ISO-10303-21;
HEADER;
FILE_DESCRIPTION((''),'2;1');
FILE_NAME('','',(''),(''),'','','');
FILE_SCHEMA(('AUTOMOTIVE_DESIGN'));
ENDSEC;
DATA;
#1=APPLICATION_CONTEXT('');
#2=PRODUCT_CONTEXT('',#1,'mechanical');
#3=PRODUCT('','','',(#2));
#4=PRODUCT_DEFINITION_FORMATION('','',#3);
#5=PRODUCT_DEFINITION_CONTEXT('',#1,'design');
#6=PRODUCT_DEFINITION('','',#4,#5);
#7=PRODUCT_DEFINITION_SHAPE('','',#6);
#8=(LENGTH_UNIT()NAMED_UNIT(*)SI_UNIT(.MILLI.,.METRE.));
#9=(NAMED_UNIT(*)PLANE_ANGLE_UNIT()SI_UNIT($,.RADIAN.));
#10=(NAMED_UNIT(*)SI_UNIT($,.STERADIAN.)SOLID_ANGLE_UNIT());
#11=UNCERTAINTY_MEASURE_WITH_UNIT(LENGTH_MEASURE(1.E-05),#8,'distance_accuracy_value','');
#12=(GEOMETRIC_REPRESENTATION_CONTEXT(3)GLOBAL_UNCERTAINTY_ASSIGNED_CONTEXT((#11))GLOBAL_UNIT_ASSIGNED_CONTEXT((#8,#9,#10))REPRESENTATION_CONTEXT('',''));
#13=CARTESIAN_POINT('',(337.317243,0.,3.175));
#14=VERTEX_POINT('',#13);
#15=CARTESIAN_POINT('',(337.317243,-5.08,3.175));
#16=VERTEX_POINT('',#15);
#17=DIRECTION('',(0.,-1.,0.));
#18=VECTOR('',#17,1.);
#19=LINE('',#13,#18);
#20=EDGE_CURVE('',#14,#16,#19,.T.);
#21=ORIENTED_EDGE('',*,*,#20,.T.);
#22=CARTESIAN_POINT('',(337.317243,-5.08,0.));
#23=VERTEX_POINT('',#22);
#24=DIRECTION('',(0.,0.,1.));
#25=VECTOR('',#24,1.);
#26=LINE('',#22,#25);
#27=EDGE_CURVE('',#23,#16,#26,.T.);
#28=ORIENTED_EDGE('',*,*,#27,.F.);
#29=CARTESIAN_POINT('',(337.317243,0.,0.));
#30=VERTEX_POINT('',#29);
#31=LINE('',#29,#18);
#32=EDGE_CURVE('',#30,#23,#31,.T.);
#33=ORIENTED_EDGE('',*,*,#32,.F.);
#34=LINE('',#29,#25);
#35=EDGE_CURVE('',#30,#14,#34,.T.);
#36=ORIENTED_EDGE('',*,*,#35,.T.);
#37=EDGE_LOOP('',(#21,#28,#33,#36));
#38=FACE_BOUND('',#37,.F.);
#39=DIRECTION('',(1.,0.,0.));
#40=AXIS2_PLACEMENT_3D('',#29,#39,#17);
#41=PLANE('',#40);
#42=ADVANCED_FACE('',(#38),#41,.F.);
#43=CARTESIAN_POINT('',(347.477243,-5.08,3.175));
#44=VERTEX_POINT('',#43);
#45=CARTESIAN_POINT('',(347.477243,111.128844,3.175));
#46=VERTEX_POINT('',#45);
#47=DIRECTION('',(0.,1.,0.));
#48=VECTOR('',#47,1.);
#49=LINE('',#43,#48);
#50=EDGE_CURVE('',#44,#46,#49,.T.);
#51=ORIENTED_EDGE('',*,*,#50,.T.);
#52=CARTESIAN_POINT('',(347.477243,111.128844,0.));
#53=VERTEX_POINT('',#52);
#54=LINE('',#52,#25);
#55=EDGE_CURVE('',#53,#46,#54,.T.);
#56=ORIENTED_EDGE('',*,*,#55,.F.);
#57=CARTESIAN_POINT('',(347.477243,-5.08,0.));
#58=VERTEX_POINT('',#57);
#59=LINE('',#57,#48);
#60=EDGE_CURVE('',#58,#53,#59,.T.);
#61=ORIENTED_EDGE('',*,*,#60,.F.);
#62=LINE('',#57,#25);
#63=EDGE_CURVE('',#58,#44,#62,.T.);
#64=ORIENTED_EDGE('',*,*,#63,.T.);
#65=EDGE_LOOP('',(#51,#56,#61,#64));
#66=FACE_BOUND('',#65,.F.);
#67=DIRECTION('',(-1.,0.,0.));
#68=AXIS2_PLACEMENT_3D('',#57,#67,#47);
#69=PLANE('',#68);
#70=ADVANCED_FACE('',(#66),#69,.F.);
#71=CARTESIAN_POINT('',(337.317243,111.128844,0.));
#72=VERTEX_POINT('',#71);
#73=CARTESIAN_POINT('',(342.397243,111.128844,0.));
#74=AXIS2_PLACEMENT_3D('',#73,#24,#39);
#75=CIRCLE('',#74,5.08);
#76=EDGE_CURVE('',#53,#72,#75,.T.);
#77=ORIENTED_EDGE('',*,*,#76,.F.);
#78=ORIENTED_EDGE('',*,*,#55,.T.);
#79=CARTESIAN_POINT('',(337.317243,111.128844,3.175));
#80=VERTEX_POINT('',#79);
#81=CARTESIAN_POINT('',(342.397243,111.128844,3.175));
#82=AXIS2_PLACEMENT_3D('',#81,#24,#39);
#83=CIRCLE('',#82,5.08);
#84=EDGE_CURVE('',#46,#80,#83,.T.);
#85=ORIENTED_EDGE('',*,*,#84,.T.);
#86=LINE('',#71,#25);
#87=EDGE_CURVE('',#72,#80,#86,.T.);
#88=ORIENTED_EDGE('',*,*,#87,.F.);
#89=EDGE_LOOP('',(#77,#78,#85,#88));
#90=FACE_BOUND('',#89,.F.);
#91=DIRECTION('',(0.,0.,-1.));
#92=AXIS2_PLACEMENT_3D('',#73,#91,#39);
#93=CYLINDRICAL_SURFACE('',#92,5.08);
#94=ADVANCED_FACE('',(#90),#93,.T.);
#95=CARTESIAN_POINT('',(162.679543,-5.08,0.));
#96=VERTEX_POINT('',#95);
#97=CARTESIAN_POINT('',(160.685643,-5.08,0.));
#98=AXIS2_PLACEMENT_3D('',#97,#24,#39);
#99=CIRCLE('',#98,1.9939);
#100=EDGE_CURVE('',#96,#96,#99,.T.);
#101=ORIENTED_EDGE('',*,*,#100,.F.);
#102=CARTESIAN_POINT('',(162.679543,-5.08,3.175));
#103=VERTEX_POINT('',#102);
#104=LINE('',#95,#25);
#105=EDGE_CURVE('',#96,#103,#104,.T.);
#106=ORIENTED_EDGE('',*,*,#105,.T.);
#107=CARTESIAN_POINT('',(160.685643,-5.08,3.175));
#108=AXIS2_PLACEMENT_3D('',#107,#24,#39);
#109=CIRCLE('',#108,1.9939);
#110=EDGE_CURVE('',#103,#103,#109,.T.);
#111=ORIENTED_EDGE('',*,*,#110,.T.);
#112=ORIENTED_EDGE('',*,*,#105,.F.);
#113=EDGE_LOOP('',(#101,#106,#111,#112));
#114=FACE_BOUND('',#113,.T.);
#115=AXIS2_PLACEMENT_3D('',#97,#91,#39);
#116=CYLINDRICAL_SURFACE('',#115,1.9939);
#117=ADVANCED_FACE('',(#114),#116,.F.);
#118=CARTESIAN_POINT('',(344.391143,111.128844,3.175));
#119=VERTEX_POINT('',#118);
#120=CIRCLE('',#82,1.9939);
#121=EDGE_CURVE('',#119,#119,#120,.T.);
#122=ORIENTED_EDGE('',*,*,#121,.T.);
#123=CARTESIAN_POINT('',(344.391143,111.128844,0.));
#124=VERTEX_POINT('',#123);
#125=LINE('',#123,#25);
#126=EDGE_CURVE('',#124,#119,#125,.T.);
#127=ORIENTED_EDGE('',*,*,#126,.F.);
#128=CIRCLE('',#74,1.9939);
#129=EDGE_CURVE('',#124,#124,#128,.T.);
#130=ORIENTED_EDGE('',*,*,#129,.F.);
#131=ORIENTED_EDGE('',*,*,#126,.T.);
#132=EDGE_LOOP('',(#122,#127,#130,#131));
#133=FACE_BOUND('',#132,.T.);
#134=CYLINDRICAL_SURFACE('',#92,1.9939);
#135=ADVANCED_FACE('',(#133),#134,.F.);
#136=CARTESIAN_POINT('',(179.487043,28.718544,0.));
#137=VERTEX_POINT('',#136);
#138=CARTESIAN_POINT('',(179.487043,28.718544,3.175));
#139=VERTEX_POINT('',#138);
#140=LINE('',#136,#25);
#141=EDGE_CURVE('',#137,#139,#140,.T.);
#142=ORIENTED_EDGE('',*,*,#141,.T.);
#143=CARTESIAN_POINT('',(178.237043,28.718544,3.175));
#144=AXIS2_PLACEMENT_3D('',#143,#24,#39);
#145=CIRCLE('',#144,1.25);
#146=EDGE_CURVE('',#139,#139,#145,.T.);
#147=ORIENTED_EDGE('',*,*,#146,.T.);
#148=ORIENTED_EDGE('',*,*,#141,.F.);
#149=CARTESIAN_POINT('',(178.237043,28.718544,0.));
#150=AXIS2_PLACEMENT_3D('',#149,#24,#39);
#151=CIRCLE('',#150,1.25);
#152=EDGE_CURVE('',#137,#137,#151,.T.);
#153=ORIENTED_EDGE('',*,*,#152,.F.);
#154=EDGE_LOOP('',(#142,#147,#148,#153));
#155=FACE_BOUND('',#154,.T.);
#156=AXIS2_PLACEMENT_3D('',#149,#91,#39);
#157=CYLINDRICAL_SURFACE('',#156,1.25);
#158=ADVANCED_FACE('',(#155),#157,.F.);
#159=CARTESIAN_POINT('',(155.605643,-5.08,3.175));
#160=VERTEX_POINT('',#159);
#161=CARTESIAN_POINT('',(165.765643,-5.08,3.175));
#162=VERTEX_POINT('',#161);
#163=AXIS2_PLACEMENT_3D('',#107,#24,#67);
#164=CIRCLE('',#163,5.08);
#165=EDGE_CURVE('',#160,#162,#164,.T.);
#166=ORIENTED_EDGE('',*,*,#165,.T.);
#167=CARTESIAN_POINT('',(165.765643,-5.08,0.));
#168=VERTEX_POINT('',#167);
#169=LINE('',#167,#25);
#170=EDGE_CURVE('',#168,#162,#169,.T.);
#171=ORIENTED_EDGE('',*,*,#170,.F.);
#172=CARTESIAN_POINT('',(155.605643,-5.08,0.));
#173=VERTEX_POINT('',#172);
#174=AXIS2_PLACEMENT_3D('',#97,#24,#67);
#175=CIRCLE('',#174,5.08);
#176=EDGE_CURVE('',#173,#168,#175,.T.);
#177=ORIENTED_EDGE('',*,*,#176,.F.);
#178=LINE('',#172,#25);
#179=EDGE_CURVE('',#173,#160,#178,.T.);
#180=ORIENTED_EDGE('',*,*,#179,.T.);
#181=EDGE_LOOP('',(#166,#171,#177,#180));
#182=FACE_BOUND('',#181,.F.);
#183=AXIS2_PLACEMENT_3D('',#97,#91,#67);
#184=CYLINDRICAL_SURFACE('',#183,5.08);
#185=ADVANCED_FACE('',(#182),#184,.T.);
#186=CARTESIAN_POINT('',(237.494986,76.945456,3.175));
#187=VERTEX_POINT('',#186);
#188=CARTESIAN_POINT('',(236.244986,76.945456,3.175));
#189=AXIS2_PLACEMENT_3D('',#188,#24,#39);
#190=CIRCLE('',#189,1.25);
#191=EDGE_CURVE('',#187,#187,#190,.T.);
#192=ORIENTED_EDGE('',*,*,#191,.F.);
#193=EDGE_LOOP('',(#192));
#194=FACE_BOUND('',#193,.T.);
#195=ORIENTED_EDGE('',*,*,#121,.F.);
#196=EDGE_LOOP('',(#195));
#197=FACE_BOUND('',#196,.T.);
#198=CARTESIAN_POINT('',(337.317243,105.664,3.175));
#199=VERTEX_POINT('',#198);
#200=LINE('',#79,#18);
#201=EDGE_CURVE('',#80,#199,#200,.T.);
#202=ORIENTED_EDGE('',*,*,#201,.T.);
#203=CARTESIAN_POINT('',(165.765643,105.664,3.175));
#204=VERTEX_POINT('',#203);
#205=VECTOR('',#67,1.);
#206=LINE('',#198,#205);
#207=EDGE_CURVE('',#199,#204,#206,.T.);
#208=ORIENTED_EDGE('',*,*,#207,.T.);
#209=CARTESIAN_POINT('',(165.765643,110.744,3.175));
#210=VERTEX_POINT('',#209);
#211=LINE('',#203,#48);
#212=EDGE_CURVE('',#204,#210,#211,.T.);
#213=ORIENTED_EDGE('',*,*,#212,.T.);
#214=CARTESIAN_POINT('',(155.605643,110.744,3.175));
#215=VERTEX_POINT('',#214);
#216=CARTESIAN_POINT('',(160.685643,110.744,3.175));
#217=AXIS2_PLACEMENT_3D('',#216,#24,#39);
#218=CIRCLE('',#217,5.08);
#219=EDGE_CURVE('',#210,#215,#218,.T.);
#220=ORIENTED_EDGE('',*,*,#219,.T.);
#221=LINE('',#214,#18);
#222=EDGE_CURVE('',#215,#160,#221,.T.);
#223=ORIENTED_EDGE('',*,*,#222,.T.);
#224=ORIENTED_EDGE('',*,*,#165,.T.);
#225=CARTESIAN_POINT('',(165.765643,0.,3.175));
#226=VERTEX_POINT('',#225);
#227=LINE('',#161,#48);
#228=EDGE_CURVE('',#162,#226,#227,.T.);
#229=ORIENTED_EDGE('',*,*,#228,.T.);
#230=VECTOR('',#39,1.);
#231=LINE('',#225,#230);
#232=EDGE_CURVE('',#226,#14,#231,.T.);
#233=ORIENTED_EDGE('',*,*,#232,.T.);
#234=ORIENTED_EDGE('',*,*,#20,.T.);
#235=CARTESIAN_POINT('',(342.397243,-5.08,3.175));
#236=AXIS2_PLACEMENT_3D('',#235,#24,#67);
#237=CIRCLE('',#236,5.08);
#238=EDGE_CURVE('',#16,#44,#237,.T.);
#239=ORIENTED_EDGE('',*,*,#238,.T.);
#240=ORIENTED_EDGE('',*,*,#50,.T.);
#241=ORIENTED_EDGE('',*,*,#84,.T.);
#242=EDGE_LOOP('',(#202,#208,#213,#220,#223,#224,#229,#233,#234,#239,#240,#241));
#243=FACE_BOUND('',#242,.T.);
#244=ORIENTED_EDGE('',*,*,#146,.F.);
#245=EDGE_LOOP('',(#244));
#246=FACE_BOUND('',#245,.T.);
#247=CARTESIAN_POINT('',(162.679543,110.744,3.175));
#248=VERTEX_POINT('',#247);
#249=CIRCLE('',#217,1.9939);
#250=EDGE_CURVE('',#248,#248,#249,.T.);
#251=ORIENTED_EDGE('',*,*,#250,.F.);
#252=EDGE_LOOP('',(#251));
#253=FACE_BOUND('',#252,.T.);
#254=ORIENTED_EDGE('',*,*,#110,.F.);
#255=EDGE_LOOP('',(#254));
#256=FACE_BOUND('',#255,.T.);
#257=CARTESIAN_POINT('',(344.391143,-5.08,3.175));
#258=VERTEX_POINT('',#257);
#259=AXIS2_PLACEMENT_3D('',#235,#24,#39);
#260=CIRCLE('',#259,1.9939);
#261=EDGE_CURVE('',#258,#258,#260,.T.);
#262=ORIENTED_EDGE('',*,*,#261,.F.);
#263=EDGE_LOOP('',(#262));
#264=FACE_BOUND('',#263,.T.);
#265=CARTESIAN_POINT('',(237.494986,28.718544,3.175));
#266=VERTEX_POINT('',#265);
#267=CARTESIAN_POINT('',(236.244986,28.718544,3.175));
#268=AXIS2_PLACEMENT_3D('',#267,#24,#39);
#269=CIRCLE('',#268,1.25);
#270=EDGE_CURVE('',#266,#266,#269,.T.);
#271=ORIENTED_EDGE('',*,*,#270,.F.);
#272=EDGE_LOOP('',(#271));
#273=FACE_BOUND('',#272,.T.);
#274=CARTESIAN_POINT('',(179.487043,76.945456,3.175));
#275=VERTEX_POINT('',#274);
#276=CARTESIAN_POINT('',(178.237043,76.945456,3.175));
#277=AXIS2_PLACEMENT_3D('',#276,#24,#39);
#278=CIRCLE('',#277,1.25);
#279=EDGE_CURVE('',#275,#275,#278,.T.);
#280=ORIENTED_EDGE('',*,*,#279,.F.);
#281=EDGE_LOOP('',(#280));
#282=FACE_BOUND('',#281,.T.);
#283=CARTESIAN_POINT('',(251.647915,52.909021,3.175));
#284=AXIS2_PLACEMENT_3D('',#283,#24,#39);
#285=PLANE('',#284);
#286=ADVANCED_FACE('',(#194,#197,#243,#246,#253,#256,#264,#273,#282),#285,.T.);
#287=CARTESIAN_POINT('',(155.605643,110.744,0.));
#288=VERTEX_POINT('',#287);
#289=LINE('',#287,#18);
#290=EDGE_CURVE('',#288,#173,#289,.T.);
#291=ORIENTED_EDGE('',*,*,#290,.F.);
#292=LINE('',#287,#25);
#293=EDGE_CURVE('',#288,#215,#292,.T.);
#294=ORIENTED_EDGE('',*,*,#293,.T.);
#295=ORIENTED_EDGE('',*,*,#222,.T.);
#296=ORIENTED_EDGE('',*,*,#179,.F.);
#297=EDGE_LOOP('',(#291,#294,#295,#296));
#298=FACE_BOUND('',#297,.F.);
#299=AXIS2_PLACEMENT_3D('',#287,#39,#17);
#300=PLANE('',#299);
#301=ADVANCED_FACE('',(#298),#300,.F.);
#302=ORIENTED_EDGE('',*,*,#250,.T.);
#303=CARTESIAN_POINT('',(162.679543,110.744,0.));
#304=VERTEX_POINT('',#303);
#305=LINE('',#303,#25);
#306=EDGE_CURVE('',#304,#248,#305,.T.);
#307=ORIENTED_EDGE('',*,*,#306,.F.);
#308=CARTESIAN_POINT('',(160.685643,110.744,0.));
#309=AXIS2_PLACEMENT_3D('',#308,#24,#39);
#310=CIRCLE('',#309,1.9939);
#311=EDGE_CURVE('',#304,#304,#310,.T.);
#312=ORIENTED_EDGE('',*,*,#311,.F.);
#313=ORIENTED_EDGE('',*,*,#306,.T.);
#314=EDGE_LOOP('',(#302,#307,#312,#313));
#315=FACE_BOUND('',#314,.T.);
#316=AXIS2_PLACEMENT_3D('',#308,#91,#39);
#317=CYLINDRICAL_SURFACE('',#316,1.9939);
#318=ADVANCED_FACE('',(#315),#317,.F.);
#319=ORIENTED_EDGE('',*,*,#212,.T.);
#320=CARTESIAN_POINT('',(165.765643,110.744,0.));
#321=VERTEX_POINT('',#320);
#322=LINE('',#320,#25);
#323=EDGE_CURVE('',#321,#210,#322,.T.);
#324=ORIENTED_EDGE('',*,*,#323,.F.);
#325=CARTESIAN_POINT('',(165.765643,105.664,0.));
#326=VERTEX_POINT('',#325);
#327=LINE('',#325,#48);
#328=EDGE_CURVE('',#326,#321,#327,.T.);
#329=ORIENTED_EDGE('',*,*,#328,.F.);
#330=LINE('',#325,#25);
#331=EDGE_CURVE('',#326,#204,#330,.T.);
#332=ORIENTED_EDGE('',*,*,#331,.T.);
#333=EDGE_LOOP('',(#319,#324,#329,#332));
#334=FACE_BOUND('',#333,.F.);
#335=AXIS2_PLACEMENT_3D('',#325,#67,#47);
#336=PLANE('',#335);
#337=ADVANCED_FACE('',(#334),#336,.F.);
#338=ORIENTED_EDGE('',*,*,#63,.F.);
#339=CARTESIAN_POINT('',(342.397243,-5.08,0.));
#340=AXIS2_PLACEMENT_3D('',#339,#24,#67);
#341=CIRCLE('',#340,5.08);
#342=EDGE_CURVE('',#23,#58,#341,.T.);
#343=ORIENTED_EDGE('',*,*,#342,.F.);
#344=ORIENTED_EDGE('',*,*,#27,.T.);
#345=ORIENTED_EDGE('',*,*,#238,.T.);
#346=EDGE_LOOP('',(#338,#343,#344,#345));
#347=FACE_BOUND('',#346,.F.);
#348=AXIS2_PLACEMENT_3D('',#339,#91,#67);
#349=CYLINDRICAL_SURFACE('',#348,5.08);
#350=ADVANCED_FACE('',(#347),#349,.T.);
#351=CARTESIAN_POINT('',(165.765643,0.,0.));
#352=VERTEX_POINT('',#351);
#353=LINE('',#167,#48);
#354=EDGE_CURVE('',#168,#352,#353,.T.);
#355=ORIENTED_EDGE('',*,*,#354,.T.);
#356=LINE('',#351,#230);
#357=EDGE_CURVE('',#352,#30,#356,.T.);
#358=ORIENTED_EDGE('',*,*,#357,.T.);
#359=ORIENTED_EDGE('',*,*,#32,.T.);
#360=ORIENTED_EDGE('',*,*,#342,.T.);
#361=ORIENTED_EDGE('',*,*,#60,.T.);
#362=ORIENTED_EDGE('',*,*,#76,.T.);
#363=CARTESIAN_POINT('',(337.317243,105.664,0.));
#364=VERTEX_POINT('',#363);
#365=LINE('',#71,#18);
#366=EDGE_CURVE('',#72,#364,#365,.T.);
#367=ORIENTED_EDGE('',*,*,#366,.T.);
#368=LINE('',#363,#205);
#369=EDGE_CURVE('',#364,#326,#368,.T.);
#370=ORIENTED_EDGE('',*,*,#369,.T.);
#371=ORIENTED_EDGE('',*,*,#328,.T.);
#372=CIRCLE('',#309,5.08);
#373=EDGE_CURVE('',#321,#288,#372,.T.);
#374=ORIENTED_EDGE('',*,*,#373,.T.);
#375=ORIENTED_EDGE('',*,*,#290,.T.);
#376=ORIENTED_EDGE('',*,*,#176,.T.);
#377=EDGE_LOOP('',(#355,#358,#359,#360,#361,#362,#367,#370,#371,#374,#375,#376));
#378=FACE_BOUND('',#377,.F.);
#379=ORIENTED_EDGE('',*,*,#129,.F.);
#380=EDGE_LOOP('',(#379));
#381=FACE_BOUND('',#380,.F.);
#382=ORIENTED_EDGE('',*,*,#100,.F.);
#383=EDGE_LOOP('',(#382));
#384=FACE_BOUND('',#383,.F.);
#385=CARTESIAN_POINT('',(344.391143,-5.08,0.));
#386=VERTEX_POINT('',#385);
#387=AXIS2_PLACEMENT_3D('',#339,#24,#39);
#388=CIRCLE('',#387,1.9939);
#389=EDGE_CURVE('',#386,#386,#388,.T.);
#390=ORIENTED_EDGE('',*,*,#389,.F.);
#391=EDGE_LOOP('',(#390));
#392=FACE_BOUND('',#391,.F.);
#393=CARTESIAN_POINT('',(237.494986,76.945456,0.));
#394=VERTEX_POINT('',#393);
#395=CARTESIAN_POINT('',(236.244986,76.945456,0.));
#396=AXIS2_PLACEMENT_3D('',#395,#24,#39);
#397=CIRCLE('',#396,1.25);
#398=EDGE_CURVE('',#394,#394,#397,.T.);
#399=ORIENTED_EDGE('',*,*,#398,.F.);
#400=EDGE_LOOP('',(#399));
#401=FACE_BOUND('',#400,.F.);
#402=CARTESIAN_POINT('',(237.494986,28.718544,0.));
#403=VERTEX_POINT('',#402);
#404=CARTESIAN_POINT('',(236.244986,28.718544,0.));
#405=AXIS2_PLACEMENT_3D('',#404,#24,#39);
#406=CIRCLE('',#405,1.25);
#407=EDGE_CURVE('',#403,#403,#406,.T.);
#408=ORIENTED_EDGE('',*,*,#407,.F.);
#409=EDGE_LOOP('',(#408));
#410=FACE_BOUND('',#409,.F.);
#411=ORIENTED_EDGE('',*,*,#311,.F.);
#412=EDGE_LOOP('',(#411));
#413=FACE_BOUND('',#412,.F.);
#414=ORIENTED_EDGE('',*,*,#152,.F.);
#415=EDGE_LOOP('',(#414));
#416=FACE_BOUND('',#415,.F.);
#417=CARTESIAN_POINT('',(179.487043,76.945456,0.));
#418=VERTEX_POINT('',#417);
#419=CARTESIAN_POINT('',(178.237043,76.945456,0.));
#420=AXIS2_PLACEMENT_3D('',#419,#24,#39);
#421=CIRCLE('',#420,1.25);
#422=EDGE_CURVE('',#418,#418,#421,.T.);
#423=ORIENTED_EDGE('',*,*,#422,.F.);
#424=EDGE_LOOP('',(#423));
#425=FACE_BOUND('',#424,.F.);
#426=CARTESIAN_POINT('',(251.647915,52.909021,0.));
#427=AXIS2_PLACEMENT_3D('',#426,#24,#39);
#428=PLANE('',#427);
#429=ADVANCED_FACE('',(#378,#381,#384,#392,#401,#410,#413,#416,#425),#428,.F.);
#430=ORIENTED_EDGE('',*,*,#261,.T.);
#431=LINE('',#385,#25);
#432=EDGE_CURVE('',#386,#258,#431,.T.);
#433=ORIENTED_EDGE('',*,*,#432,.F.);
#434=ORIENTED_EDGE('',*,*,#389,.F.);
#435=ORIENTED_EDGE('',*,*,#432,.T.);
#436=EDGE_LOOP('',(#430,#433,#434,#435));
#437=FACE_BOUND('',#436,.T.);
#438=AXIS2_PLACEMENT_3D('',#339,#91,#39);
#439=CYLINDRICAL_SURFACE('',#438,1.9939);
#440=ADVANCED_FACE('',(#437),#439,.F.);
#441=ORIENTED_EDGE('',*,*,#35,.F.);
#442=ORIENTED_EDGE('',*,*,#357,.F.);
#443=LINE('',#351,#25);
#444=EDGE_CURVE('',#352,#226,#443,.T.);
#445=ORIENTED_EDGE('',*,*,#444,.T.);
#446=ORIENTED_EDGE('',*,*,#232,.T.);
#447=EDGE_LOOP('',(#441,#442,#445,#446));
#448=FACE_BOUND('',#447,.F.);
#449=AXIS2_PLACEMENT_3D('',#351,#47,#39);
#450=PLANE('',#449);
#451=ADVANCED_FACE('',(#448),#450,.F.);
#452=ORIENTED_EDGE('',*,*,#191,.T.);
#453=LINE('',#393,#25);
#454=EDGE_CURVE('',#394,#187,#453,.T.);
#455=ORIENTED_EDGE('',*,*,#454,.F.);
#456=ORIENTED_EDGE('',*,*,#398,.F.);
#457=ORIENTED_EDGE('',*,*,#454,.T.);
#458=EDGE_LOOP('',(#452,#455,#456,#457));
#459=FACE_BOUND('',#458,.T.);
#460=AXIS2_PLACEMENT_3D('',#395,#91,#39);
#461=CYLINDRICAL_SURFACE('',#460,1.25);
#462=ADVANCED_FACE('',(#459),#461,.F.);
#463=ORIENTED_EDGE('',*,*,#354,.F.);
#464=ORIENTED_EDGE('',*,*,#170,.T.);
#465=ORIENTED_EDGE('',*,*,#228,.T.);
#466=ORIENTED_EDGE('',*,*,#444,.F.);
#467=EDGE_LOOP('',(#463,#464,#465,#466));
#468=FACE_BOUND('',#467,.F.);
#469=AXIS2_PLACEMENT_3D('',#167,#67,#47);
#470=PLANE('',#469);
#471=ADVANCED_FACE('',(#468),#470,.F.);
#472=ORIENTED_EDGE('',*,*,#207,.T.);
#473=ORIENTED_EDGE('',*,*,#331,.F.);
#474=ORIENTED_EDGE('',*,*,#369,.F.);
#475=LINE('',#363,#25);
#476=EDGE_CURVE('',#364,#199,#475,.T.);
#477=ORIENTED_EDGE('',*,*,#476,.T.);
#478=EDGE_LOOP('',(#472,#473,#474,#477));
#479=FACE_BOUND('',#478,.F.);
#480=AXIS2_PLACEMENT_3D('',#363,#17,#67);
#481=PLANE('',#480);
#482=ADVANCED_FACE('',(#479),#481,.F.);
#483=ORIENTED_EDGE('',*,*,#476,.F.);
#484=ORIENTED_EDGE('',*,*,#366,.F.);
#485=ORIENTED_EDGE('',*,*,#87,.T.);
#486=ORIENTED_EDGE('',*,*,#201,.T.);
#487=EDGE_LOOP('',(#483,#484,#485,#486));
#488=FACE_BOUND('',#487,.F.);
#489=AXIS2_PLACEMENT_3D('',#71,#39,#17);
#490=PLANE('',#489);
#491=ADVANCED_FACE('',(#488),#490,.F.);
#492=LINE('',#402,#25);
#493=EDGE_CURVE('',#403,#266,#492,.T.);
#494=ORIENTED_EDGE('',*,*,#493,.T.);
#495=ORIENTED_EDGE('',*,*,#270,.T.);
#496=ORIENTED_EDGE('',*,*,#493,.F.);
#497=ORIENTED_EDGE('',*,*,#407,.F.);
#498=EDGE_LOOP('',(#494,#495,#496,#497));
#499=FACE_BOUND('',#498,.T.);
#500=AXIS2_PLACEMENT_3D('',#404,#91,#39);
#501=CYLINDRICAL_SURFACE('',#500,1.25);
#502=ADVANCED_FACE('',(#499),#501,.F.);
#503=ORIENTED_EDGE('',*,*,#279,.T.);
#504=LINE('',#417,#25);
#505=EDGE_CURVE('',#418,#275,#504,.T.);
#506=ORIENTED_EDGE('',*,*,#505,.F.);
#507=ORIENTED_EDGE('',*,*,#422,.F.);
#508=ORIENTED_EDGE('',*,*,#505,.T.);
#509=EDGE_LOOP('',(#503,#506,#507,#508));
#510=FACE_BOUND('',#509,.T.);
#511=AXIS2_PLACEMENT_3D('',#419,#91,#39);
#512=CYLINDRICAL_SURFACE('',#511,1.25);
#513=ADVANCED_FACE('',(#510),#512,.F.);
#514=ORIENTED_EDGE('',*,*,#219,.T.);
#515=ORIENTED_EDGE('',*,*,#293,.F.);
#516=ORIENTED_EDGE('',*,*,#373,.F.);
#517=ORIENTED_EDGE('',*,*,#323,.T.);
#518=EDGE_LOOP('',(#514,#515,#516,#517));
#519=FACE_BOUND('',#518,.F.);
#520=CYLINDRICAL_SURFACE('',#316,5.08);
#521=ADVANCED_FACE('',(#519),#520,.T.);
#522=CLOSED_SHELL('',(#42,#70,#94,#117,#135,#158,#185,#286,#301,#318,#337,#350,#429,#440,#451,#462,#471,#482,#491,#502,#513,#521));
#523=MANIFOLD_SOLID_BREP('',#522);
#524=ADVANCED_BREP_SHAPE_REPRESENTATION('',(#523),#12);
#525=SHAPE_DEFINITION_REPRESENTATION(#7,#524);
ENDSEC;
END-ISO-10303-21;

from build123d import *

# Parameters (mm, degrees)
F0_R     = 1.9939
F0_R_2   = 1.25
F1_DEPTH = 3.175


with BuildPart() as f1:
    # F0 (on Top) → F1 (new body)
    with BuildSketch(Plane.XY):
        with BuildLine():
            Line((337.317243, 105.664), (165.765643, 105.664))
            Line((165.765643, 105.664), (165.765643, 110.744))
            ThreePointArc((165.765643, 110.744), (160.685643, 115.824), (155.605643, 110.744))
            Line((155.605643, 110.744), (155.605643, -5.08))
            ThreePointArc((155.605643, -5.08), (160.685643, -10.16), (165.765643, -5.08))
            Line((165.765643, -5.08), (165.765643, 0))
            Line((165.765643, 0), (337.317243, 0))
            Line((337.317243, 0), (337.317243, -5.08))
            ThreePointArc((337.317243, -5.08), (342.397243, -10.16), (347.477243, -5.08))
            Line((347.477243, -5.08), (347.477243, 111.128844))
            ThreePointArc((347.477243, 111.128844), (342.397243, 116.208844), (337.317243, 111.128844))
            Line((337.317243, 111.128844), (337.317243, 105.664))
        make_face()
        with Locations((160.685643, -5.08)):
            Circle(F0_R, mode=Mode.SUBTRACT)
        with Locations((178.237043, 28.718544)):
            Circle(F0_R_2, mode=Mode.SUBTRACT)
        with Locations((236.244986, 28.718544)):
            Circle(F0_R_2, mode=Mode.SUBTRACT)
        with Locations((342.397243, -5.08)):
            Circle(F0_R, mode=Mode.SUBTRACT)
        with Locations((178.237043, 76.945456)):
            Circle(F0_R_2, mode=Mode.SUBTRACT)
        with Locations((236.244986, 76.945456)):
            Circle(F0_R_2, mode=Mode.SUBTRACT)
        with Locations((160.685643, 110.744)):
            Circle(F0_R, mode=Mode.SUBTRACT)
        with Locations((342.397243, 111.128844)):
            Circle(F0_R, mode=Mode.SUBTRACT)
    extrude(amount=F1_DEPTH)


solid = f1.part
